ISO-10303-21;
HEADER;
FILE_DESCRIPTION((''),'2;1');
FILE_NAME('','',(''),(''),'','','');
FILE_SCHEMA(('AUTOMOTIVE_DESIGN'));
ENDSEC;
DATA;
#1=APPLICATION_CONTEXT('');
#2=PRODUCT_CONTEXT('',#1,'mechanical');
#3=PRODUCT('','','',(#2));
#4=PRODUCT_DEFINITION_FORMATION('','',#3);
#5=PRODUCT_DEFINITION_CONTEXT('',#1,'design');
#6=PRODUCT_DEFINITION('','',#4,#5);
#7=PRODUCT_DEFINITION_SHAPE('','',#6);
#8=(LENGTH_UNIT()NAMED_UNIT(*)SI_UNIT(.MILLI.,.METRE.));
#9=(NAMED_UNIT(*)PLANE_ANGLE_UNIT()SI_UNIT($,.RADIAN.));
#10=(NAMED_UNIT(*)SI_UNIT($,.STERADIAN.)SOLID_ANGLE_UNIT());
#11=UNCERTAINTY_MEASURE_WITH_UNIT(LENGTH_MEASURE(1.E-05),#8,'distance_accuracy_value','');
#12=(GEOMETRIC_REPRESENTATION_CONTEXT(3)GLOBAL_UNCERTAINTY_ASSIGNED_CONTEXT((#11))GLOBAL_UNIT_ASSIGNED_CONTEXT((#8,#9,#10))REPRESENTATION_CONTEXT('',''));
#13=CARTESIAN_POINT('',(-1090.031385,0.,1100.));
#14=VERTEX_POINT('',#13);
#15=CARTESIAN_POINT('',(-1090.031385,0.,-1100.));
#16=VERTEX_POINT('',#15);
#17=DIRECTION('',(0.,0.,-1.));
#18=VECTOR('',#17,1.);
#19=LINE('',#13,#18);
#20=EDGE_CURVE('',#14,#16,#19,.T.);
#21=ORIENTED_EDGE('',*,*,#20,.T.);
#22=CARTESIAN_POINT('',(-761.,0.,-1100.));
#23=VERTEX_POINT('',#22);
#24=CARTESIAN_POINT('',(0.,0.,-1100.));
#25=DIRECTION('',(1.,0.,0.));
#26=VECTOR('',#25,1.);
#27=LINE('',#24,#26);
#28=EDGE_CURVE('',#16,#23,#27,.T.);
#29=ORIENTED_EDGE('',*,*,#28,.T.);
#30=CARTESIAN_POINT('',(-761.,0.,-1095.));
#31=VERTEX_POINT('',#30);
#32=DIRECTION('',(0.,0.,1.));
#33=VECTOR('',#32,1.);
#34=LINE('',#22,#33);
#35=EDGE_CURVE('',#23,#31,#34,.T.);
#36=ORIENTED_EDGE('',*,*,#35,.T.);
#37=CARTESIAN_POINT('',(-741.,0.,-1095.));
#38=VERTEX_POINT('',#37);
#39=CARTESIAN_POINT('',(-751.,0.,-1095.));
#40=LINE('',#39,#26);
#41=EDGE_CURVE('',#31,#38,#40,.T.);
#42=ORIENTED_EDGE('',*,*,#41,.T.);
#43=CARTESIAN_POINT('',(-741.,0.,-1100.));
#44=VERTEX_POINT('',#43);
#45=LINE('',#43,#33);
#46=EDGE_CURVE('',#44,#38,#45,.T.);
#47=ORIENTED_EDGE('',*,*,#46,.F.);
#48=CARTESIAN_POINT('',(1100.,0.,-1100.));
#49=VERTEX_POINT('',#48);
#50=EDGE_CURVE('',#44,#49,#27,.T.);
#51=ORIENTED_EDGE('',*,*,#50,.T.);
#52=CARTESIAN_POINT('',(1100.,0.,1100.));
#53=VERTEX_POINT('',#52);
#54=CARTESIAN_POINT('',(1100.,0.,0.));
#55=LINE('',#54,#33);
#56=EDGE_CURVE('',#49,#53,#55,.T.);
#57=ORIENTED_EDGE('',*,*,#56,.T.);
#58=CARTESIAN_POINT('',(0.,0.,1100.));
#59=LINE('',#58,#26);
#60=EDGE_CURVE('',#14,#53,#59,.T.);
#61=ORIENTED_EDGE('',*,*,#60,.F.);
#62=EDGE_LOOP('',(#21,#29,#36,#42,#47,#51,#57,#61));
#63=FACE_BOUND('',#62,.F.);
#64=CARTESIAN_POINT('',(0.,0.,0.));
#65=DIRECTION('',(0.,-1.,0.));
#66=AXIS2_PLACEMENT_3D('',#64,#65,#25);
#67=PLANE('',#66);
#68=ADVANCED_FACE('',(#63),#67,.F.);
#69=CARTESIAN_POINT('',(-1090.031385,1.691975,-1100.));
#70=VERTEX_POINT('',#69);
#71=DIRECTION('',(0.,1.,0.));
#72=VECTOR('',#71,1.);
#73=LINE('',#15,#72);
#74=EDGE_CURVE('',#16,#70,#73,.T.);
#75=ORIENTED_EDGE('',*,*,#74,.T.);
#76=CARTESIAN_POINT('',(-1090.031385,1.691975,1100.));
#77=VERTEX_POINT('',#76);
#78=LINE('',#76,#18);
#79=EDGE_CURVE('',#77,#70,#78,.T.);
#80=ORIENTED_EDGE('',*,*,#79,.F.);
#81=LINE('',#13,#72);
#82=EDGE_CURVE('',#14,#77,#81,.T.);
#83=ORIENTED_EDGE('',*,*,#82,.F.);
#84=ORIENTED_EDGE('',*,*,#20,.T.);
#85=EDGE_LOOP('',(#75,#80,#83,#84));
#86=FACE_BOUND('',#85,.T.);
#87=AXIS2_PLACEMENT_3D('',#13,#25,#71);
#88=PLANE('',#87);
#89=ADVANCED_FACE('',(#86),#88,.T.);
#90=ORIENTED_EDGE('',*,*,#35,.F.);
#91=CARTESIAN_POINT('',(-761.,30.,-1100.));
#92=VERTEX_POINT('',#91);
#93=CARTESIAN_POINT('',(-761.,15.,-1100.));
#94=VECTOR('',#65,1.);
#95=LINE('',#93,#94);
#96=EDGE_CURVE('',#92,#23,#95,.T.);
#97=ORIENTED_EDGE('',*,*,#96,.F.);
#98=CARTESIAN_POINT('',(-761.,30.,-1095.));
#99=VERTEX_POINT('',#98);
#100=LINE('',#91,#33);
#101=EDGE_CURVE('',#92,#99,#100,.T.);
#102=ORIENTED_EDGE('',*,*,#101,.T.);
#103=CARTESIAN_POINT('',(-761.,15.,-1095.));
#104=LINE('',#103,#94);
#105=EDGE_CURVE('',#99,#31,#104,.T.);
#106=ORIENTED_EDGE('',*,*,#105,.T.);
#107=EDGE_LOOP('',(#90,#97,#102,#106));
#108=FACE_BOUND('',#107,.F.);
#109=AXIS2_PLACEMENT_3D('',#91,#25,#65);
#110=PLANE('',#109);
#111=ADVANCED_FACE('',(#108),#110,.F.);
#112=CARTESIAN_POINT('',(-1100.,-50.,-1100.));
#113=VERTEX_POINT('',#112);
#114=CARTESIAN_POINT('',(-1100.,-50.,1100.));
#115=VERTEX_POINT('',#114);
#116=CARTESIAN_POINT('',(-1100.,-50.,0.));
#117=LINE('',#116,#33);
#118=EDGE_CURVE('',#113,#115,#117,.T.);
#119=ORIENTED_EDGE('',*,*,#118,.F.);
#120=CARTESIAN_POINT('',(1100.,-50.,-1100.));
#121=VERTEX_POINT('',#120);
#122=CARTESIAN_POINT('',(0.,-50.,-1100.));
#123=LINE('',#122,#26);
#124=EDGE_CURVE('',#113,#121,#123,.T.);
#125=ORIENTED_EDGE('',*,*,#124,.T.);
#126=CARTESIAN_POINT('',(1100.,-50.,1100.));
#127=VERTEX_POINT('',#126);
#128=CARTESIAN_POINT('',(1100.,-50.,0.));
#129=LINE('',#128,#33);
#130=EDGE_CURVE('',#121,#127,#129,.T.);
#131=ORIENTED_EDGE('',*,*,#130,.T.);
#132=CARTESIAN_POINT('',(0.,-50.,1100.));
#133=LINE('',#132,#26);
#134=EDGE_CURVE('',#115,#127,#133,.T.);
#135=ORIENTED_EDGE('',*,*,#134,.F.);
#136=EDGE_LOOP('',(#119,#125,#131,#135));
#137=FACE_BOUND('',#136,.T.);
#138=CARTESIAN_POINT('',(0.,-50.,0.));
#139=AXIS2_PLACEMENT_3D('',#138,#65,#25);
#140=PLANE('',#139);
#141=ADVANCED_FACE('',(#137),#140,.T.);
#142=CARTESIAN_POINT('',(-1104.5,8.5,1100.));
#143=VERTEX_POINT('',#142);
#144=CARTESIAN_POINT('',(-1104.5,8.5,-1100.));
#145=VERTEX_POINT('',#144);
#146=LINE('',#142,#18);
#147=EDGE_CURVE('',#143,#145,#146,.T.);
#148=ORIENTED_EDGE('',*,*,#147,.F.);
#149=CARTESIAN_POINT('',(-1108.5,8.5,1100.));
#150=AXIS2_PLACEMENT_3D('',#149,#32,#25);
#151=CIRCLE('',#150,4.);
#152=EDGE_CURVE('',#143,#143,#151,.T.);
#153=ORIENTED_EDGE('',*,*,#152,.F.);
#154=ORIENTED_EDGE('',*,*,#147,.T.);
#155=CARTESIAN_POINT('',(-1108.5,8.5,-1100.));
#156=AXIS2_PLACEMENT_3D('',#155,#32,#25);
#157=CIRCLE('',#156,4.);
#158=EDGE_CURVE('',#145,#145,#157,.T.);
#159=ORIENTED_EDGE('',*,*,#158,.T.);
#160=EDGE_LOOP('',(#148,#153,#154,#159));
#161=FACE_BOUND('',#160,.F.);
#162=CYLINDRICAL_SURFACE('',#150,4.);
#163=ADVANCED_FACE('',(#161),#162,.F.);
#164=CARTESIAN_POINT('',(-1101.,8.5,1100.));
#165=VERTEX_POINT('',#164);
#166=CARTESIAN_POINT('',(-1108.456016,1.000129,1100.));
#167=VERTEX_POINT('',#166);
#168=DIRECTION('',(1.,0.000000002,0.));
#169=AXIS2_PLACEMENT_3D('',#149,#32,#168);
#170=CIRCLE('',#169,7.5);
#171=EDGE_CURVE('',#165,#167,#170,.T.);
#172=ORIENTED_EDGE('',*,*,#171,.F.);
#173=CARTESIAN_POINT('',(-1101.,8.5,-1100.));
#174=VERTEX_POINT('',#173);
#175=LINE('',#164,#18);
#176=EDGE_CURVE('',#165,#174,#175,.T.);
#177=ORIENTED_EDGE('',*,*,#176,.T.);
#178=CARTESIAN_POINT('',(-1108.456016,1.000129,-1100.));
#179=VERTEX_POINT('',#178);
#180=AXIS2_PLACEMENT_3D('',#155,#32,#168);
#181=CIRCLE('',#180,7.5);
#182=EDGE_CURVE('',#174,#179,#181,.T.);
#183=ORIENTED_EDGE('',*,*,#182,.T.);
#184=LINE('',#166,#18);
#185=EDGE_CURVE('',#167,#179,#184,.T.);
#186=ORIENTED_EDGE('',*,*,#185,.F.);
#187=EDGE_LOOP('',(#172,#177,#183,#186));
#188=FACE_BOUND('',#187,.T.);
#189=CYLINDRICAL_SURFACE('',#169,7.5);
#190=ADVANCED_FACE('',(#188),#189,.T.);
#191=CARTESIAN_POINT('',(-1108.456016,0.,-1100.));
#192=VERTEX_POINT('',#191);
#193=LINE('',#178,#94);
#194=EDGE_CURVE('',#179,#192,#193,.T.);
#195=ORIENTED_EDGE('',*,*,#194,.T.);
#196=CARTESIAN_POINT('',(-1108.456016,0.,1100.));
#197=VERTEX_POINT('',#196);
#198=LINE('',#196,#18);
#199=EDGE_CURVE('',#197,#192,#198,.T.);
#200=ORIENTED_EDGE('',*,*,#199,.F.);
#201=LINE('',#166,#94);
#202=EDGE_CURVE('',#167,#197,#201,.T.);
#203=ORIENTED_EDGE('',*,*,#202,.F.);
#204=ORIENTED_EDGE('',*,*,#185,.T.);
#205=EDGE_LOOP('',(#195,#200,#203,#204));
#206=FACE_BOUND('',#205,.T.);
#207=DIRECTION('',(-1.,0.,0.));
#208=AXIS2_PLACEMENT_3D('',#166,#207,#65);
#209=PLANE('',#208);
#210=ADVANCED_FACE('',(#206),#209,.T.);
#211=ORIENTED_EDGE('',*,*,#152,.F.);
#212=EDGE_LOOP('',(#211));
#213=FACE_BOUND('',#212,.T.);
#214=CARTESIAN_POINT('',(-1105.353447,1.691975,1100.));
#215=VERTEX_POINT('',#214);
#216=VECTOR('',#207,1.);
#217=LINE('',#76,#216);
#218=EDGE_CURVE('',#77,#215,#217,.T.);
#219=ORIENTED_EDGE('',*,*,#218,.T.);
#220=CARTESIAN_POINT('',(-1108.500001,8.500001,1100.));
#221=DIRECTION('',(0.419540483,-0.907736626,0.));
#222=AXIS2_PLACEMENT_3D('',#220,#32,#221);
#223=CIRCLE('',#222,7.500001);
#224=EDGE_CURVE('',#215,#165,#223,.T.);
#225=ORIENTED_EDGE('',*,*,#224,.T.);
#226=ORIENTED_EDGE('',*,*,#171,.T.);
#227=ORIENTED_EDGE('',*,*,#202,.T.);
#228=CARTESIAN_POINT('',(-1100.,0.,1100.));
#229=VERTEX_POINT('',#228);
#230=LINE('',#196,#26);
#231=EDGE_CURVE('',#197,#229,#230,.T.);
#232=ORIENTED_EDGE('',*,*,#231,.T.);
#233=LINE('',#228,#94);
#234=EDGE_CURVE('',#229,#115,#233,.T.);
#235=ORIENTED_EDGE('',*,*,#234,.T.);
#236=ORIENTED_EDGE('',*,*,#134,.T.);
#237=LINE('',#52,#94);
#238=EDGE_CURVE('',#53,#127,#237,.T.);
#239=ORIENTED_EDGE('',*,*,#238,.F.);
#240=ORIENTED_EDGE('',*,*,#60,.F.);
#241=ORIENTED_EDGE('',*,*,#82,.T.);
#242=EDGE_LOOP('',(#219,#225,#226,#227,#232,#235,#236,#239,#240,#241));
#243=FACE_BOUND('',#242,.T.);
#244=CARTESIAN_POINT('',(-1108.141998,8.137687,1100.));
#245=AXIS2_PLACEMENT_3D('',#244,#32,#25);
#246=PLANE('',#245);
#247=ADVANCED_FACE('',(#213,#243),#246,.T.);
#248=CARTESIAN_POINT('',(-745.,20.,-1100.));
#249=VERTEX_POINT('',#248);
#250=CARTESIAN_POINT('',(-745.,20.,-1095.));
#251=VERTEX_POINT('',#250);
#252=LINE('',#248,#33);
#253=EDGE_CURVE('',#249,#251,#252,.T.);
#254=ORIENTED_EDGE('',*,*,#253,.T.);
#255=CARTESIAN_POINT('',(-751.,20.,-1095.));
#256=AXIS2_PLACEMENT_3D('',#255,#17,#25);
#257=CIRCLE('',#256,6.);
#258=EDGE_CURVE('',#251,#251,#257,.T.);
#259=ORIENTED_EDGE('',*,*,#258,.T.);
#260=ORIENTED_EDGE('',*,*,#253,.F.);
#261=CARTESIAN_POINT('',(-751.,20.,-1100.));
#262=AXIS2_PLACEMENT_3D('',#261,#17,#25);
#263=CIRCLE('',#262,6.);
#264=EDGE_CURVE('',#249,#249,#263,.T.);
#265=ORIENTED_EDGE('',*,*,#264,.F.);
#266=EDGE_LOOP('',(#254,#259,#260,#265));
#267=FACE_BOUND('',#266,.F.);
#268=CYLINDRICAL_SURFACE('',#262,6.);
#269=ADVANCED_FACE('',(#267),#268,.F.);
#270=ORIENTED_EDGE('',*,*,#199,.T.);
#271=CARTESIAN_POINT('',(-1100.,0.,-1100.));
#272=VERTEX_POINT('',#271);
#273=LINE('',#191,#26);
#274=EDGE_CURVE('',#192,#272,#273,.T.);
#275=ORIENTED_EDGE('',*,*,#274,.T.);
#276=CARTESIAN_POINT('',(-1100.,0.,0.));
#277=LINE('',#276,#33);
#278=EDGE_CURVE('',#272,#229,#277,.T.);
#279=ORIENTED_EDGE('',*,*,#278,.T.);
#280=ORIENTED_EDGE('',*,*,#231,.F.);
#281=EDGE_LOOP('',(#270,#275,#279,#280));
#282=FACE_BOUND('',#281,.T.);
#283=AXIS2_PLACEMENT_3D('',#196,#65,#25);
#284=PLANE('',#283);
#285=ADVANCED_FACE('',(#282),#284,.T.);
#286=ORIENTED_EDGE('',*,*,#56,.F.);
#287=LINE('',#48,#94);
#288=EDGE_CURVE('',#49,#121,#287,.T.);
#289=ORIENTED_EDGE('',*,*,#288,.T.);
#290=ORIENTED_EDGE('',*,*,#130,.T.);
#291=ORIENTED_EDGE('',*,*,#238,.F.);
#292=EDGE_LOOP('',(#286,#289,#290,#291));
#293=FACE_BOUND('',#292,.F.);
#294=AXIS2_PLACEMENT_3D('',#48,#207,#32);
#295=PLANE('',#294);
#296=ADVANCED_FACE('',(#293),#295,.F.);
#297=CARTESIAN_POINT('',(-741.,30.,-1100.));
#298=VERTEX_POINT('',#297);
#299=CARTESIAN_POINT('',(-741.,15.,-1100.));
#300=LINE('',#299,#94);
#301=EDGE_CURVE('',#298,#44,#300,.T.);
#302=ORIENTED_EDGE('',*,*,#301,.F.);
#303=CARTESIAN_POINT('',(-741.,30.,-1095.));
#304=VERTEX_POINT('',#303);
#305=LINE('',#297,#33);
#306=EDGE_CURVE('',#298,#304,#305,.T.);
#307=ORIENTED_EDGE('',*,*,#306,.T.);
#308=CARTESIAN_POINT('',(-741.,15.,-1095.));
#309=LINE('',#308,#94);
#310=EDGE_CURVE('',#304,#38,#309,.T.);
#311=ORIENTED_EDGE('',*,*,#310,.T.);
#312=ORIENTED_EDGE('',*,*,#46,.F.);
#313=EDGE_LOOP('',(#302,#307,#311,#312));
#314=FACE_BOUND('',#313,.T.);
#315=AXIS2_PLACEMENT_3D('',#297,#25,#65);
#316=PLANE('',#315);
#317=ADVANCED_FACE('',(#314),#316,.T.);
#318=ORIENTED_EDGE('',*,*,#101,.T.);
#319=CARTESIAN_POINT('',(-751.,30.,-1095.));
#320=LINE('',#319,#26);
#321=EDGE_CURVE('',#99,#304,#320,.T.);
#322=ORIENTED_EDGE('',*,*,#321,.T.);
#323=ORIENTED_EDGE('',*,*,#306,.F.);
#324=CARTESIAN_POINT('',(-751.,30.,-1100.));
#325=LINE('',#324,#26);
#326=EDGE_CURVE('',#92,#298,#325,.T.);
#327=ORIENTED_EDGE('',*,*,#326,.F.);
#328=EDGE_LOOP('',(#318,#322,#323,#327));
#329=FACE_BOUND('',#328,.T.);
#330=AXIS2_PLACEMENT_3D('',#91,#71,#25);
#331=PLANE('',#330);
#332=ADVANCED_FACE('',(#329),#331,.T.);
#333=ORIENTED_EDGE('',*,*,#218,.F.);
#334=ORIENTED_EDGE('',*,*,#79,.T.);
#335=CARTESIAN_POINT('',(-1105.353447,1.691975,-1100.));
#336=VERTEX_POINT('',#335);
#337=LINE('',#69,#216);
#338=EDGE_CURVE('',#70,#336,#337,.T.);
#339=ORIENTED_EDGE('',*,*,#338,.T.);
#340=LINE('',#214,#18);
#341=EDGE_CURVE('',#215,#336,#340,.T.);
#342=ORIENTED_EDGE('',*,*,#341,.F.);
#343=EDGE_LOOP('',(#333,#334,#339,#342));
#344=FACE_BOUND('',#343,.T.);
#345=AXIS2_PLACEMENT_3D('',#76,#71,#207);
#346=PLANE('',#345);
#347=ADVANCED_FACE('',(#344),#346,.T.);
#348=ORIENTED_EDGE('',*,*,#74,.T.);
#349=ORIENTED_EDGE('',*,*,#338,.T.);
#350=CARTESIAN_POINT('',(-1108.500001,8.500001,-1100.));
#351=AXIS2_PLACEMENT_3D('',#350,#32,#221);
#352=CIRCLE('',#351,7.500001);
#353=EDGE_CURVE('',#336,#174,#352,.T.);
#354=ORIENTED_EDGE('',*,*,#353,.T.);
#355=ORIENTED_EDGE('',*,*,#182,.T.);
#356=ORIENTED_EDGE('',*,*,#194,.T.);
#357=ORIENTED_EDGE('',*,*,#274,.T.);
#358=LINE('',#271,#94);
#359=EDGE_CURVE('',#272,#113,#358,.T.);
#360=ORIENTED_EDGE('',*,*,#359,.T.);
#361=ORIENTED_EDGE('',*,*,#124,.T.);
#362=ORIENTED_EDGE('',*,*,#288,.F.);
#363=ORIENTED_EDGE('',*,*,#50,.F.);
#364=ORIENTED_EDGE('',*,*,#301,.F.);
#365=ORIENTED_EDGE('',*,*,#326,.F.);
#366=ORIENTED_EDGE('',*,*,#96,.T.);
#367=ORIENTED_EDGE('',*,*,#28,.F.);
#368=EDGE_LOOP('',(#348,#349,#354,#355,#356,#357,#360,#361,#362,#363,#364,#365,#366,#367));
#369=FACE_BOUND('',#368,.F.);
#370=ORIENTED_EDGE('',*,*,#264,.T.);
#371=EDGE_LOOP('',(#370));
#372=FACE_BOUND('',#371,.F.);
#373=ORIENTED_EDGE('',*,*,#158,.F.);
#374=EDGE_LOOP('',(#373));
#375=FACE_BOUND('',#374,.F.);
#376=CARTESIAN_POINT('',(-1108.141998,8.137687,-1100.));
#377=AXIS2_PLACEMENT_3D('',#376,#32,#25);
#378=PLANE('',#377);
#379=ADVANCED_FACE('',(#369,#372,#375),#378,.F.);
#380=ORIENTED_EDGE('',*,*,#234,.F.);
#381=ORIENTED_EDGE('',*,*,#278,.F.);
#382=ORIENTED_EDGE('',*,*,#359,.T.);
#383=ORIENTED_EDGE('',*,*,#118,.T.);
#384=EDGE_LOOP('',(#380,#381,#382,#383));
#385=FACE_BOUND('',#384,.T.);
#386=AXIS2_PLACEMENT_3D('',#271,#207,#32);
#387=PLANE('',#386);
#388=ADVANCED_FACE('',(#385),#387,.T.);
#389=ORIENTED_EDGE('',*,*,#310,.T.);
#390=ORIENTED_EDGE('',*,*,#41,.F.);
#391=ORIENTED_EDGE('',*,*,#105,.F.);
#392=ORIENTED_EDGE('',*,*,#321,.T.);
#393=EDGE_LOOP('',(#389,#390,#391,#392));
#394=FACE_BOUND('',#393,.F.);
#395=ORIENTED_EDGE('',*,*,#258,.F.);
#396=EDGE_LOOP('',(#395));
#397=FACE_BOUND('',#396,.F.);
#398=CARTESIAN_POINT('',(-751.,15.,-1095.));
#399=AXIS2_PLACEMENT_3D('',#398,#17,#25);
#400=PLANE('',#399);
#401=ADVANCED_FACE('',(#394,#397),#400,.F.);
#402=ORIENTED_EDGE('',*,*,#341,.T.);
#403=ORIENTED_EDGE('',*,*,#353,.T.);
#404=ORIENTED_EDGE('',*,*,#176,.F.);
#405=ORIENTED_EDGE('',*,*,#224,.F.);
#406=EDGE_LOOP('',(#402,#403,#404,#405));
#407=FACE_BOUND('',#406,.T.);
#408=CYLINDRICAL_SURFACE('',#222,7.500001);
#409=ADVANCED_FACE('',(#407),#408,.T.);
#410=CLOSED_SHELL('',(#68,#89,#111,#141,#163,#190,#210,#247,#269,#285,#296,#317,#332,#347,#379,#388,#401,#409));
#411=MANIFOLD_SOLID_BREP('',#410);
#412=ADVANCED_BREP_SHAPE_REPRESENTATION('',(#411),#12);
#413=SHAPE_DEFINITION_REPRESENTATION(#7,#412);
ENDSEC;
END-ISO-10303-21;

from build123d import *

# Parameters (mm, degrees)
F0_W     = 2200
F0_H     = 2200
F1_DEPTH = 50
F2_R     = 4
F3_DEPTH = 2200
F4_W     = 20
F4_H     = 30
F4_R     = 6
F5_DEPTH = 5


with BuildPart() as f1:
    # F0 (on Front) → F1 (new body)
    with BuildSketch(Plane.XZ):
        Rectangle(F0_W, F0_H)
    extrude(amount=F1_DEPTH)

    # F2 (on face) → F3 (join)
    with BuildSketch(Plane.XY.offset(1100)):
        with BuildLine():
            ThreePointArc((-1105.353447, 1.691975), (-1102.181411, 4.459526), (-1101, 8.5))
            ThreePointArc((-1101, 8.5), (-1113.818829, 13.787727), (-1108.456016, 1.000129))
            ThreePointArc((-1108.456016, 1.000129), (-1106.867657, 1.179791), (-1105.353447, 1.691975))
        make_face()
        with Locations((-1108.5, 8.5)):
            Circle(F2_R, mode=Mode.SUBTRACT)
        with BuildLine():
            ThreePointArc((-1105.353447, 1.691975), (-1106.867657, 1.179791), (-1108.456016, 1.000129))
            Line((-1108.456016, 1.000129), (-1108.456016, 0))
            Line((-1108.456016, 0), (-1100, 0))
            Line((-1100, 0), (-1090.031385, 0))
            Line((-1090.031385, 0), (-1090.031385, 1.691975))
            Line((-1090.031385, 1.691975), (-1105.353447, 1.691975))
        make_face()
    extrude(amount=-F3_DEPTH)

    # F4 (on face) → F5 (join)
    with BuildSketch(Plane(origin=(0, 0, -1100), x_dir=(1, 0, 0), z_dir=(0, 0, -1))):
        with Locations((-751, -15)):
            Rectangle(F4_W, F4_H)
        with Locations((-751, -20)):
            Circle(F4_R, mode=Mode.SUBTRACT)
    extrude(amount=-F5_DEPTH)


solid = f1.part
